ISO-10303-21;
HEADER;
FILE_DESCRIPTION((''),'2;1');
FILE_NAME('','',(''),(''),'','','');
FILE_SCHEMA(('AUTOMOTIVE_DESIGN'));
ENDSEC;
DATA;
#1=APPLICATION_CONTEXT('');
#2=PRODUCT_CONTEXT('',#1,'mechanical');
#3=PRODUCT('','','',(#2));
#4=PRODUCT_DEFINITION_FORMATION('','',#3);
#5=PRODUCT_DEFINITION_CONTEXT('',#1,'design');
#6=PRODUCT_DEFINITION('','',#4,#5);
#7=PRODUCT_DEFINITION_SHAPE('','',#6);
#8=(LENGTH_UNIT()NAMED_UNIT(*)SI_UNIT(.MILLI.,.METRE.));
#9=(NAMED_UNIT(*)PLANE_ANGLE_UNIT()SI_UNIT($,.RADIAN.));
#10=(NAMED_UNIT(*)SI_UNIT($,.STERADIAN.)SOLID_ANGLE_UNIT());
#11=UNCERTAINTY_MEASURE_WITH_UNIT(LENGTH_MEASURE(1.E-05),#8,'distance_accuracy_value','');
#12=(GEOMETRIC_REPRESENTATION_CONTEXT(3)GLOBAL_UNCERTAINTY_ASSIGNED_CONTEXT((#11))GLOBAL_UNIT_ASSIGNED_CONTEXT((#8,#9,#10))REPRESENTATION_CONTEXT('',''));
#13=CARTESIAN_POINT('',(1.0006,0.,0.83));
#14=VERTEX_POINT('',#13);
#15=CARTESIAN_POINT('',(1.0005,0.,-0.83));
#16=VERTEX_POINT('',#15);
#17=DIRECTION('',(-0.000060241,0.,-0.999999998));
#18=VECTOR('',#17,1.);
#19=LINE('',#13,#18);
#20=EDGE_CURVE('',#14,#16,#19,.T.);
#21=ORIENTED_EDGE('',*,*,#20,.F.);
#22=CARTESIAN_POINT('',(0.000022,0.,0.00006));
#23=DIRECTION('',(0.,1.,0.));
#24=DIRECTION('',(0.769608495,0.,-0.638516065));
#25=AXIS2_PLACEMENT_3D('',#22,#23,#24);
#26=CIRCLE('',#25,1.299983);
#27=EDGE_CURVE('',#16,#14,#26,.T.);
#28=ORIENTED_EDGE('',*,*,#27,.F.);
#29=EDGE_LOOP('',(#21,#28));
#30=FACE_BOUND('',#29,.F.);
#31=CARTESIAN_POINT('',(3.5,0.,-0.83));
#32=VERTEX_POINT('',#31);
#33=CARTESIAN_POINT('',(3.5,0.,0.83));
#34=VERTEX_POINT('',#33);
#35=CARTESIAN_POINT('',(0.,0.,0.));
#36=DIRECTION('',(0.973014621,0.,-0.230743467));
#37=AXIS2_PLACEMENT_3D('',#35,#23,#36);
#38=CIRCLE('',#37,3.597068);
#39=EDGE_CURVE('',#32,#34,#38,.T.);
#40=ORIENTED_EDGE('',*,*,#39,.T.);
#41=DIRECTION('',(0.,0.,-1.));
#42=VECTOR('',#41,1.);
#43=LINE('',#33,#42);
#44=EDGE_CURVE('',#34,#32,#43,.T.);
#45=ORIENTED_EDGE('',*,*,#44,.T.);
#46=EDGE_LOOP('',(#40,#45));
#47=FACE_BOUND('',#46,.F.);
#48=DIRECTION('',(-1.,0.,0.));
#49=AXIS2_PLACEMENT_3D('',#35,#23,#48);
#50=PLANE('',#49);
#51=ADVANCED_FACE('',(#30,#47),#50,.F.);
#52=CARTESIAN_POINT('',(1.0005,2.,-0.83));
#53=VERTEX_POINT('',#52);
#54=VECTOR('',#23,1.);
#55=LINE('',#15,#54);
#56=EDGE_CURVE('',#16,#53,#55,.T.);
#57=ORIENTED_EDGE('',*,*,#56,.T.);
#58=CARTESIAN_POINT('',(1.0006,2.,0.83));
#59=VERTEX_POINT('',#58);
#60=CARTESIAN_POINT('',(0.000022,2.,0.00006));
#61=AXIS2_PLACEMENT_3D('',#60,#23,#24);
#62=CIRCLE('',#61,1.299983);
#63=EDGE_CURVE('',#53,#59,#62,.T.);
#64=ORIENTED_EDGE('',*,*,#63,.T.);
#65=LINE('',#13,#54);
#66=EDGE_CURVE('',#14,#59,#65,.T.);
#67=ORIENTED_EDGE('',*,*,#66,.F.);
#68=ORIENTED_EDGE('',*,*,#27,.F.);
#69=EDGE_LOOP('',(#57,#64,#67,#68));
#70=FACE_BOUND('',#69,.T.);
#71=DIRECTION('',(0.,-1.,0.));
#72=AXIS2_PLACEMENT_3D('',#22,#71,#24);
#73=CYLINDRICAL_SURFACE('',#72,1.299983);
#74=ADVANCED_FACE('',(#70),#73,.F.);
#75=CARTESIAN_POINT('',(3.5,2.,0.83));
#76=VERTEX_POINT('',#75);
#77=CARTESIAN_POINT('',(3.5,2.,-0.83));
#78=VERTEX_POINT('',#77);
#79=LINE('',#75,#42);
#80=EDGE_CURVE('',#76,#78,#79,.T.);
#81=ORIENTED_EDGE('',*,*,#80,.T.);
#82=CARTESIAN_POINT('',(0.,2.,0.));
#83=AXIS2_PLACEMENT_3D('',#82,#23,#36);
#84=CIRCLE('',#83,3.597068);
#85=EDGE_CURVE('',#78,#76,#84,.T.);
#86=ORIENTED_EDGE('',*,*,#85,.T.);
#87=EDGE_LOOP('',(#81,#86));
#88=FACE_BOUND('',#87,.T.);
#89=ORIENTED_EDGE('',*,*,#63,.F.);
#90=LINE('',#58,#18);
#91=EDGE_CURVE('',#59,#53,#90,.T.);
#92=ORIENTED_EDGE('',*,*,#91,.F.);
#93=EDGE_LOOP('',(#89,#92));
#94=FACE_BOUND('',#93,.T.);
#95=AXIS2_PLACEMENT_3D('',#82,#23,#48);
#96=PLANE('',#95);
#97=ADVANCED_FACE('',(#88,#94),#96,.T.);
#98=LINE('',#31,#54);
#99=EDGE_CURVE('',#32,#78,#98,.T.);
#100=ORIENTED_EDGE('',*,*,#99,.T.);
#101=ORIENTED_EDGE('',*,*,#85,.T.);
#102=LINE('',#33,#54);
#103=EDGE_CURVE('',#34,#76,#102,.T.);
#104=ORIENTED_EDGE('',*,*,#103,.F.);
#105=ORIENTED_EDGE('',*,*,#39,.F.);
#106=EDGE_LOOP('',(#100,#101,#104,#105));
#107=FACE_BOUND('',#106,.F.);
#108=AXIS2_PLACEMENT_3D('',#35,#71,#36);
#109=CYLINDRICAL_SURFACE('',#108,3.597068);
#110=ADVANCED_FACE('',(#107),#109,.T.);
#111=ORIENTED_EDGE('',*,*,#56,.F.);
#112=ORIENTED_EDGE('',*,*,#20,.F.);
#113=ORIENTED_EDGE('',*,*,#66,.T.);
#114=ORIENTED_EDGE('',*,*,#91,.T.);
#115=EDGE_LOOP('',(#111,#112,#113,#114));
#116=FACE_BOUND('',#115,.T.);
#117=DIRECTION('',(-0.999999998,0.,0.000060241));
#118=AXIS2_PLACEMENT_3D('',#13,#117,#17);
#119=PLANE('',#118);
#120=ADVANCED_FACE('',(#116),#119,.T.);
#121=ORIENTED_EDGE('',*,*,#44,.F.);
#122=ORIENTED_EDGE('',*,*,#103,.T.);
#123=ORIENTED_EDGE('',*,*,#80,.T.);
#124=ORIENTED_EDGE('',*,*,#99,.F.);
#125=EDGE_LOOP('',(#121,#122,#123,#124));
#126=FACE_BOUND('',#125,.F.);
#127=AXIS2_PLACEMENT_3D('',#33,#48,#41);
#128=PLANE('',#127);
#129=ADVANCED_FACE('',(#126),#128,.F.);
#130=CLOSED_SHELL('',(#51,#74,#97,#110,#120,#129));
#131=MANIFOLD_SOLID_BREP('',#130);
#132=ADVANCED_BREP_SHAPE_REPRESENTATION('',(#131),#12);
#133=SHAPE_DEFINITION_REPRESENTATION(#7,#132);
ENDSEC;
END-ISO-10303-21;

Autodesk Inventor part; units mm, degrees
ref_plane "YZ Plane" through (0, 0, 0) normal (1, 0, 0) x (0, 1, 0)
ref_plane "XZ Plane" through (0, 0, 0) normal (0, 1, 0) x (-1, 0, 0)
ref_plane "XY Plane" through (0, 0, 0) normal (0, 0, 1) x (1, 0, 0)
sketch "Sketch1" plane through (0, 0, 0) normal (0, 1, 0) x (-1, 0, 0)
  line L0 (-1.0006, 0.83) -> (-1.0005, -0.83)
  arc A0 (-1.0005, -0.83) -> (-1.0006, 0.83) centre (0, 0) ccw
  line L1 (-3.5, 0.83) -> (-3.5, -0.83)
  arc A1 (-3.5, -0.83) -> (-3.5, 0.83) centre (0, 0) ccw
  point P0 (0, 0)
  point P1 (-1.0006, 0)
  dimension "d0" = 1.66
  dimension "d1" = 1.3
  dimension "d4" = 1.0006
extrude "Extrusion1" add sketch "Sketch1" along normal blind 2
properties part number "tronco_ruota_2"
